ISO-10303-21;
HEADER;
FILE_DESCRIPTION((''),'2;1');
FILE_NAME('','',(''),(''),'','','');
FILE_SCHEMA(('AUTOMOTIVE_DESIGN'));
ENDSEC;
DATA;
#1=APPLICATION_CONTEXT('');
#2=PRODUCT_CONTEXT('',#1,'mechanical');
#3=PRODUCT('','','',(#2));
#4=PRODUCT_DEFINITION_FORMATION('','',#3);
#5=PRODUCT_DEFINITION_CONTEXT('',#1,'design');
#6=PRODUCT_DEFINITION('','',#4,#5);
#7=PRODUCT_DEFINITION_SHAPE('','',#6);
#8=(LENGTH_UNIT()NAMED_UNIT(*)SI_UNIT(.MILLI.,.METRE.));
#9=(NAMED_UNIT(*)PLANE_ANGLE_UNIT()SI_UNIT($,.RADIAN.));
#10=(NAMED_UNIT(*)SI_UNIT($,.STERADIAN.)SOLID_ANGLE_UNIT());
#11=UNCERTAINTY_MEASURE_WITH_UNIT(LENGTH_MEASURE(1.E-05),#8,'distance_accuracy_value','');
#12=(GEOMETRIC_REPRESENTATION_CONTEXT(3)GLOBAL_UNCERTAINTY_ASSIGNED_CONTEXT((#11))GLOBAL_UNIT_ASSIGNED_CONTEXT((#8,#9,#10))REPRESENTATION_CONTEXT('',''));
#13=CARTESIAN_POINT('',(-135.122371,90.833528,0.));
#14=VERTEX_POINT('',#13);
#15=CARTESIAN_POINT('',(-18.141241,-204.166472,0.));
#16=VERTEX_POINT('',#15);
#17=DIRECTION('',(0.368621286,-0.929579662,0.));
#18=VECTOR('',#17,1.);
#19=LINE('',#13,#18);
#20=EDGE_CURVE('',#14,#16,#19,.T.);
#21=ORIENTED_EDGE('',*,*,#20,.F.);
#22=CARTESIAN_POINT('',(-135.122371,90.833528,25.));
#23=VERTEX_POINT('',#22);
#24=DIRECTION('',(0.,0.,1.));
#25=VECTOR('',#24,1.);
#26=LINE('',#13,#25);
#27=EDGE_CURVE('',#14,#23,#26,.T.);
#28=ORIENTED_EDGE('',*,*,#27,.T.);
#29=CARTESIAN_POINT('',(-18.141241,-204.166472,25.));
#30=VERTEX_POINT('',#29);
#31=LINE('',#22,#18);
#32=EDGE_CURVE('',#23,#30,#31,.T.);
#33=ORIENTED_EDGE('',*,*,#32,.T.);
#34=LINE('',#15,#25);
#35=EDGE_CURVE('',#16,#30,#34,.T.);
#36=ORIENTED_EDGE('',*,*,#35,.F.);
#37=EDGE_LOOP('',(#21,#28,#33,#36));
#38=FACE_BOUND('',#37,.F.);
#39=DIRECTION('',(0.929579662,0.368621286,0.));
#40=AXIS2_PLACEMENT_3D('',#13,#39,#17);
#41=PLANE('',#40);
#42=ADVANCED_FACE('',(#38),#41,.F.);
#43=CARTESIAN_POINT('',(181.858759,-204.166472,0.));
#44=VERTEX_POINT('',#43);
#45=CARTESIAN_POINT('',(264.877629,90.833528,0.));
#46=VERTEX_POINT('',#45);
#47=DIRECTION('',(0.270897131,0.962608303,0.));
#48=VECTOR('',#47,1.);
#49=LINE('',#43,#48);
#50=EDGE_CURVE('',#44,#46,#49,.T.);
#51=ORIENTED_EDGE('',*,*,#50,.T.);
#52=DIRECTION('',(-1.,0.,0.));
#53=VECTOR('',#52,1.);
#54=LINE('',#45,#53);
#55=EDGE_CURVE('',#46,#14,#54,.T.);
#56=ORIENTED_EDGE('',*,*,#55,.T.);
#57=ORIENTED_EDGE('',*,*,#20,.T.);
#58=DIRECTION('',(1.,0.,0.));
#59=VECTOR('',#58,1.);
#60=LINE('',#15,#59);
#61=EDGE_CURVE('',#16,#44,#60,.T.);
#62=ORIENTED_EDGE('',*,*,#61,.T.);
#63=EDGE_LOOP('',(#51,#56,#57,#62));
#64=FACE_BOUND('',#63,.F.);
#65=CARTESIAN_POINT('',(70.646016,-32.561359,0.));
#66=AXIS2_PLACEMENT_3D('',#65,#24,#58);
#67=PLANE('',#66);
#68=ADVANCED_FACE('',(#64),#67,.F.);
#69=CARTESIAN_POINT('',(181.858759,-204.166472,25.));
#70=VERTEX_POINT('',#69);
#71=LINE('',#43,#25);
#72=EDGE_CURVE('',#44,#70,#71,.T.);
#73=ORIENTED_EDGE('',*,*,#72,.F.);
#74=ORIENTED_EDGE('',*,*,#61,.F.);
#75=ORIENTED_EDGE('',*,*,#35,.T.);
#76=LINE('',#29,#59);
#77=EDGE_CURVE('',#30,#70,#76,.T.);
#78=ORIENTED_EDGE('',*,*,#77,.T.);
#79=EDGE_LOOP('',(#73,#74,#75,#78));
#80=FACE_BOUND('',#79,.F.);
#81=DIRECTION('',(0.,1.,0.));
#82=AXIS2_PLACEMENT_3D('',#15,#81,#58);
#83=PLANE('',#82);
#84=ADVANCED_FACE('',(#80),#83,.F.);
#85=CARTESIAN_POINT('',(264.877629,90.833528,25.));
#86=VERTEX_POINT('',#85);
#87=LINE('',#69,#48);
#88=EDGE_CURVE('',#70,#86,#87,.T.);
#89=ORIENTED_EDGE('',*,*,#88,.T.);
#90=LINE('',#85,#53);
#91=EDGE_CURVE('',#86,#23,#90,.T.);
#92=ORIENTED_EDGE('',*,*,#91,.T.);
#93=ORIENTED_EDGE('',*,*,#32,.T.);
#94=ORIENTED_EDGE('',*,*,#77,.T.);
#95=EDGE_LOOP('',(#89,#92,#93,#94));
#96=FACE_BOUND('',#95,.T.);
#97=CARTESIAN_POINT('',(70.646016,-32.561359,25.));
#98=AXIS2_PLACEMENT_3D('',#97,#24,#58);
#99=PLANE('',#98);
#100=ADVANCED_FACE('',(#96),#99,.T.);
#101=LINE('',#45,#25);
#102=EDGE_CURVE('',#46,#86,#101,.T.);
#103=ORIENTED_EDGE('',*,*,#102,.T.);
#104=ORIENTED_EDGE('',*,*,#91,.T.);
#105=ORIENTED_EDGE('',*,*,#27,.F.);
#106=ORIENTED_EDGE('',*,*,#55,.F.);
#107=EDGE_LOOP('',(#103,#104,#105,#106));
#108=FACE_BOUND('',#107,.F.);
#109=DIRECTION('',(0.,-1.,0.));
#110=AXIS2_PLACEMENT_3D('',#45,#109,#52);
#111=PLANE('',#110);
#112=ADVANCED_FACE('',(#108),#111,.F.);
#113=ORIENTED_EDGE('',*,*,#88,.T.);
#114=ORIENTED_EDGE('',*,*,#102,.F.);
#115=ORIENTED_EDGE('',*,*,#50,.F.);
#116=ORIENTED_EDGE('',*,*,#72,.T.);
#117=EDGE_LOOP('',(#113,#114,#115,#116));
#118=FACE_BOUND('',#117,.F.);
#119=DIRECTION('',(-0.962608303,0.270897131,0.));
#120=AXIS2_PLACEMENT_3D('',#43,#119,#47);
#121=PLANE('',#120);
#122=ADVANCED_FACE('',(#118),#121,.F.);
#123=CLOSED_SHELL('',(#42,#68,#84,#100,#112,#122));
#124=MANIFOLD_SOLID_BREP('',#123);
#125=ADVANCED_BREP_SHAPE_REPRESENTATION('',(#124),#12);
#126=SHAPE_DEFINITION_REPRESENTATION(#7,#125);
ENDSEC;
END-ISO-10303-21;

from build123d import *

# Parameters (mm, degrees)
F1_DEPTH = 25
F2_DEPTH = 25
F3_DEPTH = 25
F4_DEPTH = 25
F5_DEPTH = 25
F6_DEPTH = 25


with BuildPart() as f1:
    # F0 (on Top) → F1 (new body)
    with BuildSketch(Plane.XY):
        Polygon((264.877629, 90.833528), (-135.122371, 90.833528), (-18.141241, -204.166472), (181.858759, -204.166472), align=None)
    extrude(amount=F1_DEPTH)

    # F0 (on Top) → F2 (join)
    with BuildSketch(Plane.XY):
        Polygon((264.877629, 90.833528), (-135.122371, 90.833528), (-18.141241, -204.166472), (181.858759, -204.166472), align=None)
    extrude(amount=F2_DEPTH)

    # F0 (on Top) → F3 (join)
    with BuildSketch(Plane.XY):
        Polygon((264.877629, 90.833528), (-135.122371, 90.833528), (-18.141241, -204.166472), (181.858759, -204.166472), align=None)
    extrude(amount=F3_DEPTH)

    # F0 (on Top) → F4 (join)
    with BuildSketch(Plane.XY):
        Polygon((264.877629, 90.833528), (-135.122371, 90.833528), (-18.141241, -204.166472), (181.858759, -204.166472), align=None)
    extrude(amount=F4_DEPTH)

    # F0 (on Top) → F5 (join)
    with BuildSketch(Plane.XY):
        Polygon((264.877629, 90.833528), (-135.122371, 90.833528), (-18.141241, -204.166472), (181.858759, -204.166472), align=None)
    extrude(amount=F5_DEPTH)

    # F0 (on Top) → F6 (join)
    with BuildSketch(Plane.XY):
        Polygon((264.877629, 90.833528), (-135.122371, 90.833528), (-18.141241, -204.166472), (181.858759, -204.166472), align=None)
    extrude(amount=F6_DEPTH)


solid = f1.part
